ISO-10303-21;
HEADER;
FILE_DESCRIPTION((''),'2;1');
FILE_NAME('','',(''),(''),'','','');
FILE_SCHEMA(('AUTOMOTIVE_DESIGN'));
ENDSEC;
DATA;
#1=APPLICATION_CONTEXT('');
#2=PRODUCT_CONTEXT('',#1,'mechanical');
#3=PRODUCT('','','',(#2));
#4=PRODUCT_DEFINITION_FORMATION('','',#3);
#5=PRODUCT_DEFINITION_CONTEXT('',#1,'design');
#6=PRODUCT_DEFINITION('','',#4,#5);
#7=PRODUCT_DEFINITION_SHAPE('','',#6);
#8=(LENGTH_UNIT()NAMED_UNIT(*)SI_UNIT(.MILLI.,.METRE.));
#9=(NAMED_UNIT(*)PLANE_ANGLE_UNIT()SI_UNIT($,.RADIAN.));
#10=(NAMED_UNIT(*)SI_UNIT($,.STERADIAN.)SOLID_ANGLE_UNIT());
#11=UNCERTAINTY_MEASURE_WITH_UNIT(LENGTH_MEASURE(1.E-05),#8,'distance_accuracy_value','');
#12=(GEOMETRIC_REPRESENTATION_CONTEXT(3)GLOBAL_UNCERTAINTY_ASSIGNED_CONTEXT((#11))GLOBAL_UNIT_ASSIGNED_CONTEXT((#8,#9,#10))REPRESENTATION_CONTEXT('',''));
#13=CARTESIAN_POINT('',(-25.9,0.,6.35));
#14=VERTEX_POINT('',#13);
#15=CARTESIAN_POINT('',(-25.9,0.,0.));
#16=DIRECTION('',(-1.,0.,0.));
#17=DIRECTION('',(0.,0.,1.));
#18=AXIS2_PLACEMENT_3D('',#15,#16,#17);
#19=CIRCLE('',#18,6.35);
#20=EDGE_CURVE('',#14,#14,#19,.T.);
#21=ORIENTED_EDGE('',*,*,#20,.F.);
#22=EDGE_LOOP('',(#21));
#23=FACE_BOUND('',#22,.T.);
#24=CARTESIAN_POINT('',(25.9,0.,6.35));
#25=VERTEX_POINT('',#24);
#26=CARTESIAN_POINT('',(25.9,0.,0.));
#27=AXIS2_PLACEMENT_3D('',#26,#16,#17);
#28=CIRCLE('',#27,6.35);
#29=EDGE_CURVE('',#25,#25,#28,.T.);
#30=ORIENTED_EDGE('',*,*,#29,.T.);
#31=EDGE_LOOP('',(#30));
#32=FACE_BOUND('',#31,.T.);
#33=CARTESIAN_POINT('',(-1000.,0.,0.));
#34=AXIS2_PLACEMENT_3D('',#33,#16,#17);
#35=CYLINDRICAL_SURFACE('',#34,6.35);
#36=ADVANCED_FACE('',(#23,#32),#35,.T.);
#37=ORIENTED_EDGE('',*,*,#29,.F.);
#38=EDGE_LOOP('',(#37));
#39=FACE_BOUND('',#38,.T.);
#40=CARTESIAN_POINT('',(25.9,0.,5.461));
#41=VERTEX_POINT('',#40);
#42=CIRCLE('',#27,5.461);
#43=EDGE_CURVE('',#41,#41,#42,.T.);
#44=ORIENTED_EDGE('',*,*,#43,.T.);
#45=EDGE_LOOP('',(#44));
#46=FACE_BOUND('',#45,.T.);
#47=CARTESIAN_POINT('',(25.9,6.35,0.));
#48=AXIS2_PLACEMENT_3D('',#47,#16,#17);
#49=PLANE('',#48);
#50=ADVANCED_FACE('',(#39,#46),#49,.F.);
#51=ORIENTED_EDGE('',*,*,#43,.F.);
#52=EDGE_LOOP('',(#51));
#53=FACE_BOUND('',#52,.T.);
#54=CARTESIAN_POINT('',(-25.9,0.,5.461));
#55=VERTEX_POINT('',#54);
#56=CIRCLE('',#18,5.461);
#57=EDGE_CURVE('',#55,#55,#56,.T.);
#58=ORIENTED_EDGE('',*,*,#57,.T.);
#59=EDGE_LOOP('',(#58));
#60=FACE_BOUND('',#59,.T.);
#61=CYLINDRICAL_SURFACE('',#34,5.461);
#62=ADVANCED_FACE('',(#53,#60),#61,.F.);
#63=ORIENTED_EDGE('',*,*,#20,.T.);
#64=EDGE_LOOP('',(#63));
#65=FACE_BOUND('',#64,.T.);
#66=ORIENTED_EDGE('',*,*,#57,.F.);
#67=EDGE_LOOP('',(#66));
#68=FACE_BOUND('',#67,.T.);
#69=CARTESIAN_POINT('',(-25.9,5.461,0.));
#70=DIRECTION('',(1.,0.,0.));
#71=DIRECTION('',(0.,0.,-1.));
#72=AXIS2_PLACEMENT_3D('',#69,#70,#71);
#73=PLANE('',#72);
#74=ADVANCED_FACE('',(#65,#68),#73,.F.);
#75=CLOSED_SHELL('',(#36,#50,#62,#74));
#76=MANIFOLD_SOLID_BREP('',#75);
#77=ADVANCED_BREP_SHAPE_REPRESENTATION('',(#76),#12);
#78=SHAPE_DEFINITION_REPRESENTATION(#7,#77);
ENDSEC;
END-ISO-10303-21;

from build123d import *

# Parameters (mm, degrees)
TUBE_T8_STUB_SKETCH_W = 51.8
TUBE_T8_STUB_SKETCH_H = 0.889


with BuildPart() as part:
    # Tube_T8_Stub Sketch → Tube_T8_Stub (revolve)
    with BuildSketch(Plane.XY):
        with Locations((0, 5.9055)):
            Rectangle(TUBE_T8_STUB_SKETCH_W, TUBE_T8_STUB_SKETCH_H)
    revolve(axis=Axis((-1000, 0, 0), (1, 0, 0)))


solid = part.part
